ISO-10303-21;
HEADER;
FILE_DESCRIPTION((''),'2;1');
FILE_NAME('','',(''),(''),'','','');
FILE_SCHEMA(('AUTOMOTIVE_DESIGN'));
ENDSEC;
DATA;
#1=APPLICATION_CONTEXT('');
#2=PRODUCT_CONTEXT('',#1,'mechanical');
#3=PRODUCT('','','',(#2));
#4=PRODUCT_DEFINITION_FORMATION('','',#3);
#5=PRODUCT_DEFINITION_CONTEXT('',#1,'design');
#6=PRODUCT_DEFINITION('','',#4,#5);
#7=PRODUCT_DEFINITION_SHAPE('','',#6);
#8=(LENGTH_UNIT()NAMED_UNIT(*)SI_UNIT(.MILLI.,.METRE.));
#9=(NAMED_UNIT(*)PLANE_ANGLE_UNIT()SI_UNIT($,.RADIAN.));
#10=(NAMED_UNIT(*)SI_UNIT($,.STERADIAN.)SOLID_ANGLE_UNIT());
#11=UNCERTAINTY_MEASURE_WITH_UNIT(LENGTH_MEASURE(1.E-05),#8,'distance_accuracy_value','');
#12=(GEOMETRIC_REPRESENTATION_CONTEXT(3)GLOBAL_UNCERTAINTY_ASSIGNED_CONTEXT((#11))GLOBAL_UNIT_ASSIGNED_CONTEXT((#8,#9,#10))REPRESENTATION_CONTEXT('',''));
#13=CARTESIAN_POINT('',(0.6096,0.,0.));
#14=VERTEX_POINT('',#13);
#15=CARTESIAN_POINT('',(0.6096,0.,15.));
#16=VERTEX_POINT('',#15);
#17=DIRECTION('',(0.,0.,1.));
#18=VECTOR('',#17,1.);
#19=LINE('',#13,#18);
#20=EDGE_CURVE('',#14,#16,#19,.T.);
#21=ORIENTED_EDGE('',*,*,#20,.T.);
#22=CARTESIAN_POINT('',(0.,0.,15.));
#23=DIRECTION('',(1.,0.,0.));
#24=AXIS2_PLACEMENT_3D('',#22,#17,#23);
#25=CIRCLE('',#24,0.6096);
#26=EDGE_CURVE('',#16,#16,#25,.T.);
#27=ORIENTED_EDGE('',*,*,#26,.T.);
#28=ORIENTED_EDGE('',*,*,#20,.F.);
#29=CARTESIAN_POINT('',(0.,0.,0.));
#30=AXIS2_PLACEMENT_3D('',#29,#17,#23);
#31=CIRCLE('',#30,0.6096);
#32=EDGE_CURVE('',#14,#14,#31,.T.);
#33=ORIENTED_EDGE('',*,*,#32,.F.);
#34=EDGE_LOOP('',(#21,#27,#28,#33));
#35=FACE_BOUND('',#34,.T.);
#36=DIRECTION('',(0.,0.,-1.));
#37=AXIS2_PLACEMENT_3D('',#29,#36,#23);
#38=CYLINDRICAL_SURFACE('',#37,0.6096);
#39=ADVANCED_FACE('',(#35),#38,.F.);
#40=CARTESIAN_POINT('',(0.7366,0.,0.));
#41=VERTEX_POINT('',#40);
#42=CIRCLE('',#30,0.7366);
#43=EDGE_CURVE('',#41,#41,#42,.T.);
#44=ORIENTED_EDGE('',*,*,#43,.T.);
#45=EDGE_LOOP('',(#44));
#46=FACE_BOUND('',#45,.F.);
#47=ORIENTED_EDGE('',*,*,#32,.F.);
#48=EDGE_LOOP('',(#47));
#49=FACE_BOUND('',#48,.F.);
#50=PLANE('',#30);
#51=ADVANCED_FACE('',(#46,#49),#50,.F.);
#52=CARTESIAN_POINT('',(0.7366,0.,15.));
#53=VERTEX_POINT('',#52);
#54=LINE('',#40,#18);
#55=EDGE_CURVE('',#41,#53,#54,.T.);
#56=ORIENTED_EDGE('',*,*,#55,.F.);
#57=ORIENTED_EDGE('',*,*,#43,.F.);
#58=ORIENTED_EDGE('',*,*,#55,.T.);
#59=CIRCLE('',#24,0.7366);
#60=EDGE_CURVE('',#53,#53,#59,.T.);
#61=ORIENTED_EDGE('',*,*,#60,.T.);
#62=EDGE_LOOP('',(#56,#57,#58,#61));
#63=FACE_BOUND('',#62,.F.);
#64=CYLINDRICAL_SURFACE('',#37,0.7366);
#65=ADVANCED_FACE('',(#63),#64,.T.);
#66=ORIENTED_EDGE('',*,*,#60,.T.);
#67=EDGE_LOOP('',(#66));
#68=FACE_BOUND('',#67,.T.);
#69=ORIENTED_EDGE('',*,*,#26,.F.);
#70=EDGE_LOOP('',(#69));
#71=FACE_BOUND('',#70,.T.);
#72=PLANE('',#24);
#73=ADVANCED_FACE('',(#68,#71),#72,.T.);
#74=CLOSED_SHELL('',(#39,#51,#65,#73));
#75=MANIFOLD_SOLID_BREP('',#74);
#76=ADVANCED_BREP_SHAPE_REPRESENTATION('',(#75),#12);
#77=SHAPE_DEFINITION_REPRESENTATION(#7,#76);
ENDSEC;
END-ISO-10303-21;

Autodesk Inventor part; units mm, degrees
ref_plane "YZ Plane" through (0, 0, 0) normal (1, 0, 0) x (0, 1, 0)
ref_plane "XZ Plane" through (0, 0, 0) normal (0, 1, 0) x (-1, 0, 0)
ref_plane "XY Plane" through (0, 0, 0) normal (0, 0, 1) x (1, 0, 0)
sketch "Sketch1" plane through (0, 0, 0) normal (0, 0, 1) x (1, 0, 0)
  circle A0 centre (0, 0) radius 0.6096
  circle A1 centre (0, 0) radius 0.7366
  dimension "d0" = 1.2192
  dimension "d1" = 1.4732
extrude "Extrusion1" add sketch "Sketch1" along normal blind 15
equation "\"d2\" = OCTd0 - lOCTtoAdapter"
equation "\"OCToffset\" = 14.38"
equation "\"lOCTprobeNom\" = 58.38"
equation "\"OCTd0\" = 65"
equation "\"dTop\" = 6"
equation "\"lAdapter\" = 8.38"
equation "\"lOCTtoAdapter\" = 50"
equation "\"lOCTprobeTotal\" = 64.38"
properties part number "OCT_tubing_17G"
